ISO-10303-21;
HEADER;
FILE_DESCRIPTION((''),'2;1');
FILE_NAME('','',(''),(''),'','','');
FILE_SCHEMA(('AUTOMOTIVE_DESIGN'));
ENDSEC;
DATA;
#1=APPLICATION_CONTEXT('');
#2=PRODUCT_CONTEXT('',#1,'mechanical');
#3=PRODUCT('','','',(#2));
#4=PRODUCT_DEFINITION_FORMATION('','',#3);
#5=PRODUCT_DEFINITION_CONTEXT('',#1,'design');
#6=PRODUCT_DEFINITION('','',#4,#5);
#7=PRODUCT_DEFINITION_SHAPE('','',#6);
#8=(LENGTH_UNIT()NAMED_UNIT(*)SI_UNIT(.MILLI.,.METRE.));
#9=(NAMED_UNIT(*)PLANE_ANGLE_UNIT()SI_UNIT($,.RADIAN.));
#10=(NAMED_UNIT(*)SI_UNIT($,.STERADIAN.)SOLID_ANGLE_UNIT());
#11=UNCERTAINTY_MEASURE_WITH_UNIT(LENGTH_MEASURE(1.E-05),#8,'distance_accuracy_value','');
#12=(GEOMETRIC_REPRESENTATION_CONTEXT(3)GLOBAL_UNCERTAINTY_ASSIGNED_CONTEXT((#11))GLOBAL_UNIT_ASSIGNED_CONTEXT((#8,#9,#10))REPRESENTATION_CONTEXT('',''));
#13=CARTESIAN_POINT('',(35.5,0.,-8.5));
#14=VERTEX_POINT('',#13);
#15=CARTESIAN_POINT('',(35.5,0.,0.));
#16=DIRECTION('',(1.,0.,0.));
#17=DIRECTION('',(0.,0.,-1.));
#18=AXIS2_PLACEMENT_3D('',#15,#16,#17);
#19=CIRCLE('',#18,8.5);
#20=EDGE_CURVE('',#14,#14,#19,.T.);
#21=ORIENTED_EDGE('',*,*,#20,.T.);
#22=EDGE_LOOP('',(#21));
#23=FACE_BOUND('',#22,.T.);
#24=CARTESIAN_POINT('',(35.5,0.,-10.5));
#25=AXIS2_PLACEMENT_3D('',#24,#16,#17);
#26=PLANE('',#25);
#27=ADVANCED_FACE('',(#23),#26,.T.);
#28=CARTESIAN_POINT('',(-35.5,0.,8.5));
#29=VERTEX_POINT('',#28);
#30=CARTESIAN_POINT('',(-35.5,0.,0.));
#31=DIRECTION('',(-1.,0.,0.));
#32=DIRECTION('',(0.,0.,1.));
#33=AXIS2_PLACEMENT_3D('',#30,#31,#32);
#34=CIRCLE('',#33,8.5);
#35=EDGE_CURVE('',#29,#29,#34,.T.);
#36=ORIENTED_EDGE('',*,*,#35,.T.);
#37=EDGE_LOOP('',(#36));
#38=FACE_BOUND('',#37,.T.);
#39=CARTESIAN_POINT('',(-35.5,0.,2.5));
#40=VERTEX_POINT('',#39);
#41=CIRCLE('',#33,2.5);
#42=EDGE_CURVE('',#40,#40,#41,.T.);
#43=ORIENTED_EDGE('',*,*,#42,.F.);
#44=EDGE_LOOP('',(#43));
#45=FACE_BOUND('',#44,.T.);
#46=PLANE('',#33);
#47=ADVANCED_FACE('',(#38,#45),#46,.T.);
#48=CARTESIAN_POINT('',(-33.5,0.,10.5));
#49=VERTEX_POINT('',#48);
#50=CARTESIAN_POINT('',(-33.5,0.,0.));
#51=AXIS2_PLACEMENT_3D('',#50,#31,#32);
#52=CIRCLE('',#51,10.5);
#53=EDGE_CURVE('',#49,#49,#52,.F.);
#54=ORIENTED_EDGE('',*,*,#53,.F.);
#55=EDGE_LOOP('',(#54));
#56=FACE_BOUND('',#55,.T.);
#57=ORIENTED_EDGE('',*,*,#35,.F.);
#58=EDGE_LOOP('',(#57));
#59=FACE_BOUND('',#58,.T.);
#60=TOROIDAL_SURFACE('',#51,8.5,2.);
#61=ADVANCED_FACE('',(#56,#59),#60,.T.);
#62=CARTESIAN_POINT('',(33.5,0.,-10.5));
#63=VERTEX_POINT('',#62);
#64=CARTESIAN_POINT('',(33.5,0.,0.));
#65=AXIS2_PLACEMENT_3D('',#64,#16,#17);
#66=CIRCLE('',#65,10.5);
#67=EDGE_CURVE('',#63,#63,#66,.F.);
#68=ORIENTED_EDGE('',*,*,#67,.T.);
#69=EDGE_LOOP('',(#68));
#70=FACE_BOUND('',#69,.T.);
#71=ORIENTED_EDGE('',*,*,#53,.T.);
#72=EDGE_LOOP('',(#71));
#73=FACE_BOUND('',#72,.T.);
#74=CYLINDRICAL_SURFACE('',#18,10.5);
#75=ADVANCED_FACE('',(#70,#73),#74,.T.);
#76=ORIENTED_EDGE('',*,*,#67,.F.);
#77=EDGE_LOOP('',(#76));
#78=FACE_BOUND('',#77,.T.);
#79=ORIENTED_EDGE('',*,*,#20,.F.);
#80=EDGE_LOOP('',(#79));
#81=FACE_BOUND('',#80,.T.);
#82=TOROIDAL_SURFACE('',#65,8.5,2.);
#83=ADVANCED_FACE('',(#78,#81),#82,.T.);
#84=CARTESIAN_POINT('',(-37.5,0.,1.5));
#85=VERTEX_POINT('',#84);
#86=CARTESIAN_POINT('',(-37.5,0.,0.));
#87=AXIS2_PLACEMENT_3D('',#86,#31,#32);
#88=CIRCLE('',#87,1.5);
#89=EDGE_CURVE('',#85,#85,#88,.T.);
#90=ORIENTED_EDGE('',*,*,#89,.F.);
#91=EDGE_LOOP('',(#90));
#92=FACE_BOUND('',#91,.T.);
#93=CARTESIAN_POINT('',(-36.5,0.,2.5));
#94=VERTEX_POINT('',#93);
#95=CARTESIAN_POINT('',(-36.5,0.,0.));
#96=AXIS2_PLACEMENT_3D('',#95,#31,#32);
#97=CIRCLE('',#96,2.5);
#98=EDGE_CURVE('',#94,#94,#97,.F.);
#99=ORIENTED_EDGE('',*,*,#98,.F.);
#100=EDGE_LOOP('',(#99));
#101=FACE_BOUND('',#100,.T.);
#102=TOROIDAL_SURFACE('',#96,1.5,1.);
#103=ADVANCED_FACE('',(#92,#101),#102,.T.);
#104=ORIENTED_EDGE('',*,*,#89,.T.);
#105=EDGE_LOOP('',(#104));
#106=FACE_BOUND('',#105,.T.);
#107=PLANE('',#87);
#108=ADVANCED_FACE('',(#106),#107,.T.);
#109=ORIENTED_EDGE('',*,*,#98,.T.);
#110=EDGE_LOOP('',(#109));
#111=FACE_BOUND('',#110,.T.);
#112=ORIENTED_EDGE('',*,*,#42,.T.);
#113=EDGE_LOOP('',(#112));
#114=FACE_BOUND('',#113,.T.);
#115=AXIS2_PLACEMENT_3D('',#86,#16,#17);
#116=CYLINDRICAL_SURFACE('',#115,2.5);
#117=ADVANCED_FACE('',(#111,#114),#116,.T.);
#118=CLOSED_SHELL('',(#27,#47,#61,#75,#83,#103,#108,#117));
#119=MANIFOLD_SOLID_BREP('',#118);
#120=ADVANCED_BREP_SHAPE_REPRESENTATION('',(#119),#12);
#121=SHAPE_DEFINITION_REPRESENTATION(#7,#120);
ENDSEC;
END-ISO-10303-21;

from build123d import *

# Parameters (mm, degrees)
SKETCH_1_W      = 71
SKETCH_1_H      = 10.5
FILLET_1_R      = 2
FILLET_2_R      = 2
SKETCH_2_R      = 2.5
EXTRUDE_1_DEPTH = 2
FILLET_3_R      = 1


with BuildPart() as part:
    # 草图1 → 旋转3 (revolve)
    with BuildSketch(Plane(origin=(0, 0, 0), x_dir=(1, 0, 0), z_dir=(0, 1, 0))):
        with Locations((0, 5.25)):
            Rectangle(SKETCH_1_W, SKETCH_1_H)
    revolve(axis=Axis((35.5, 0, 0), (-1, 0, 0)))

    # 圆角1
    fillet_1_edges = [part.edges().sort_by_distance(p)[0] for p in [
        (-35.5, 0, 10.5),
    ]]
    fillet(fillet_1_edges, radius=FILLET_1_R)

    # 圆角2
    fillet_2_edges = [part.edges().sort_by_distance(p)[0] for p in [
        (35.5, 0, 10.5),
    ]]
    fillet(fillet_2_edges, radius=FILLET_2_R)

    # 草图2 → 凸台-拉伸1 (add)
    with BuildSketch(Plane.ZY.offset(35.5)):
        Circle(SKETCH_2_R)
    extrude(amount=EXTRUDE_1_DEPTH)

    # 圆角3
    fillet_3_edges = [part.edges().sort_by_distance(p)[0] for p in [
        (-37.5, 0, -2.5),
    ]]
    fillet(fillet_3_edges, radius=FILLET_3_R)


solid = part.part
